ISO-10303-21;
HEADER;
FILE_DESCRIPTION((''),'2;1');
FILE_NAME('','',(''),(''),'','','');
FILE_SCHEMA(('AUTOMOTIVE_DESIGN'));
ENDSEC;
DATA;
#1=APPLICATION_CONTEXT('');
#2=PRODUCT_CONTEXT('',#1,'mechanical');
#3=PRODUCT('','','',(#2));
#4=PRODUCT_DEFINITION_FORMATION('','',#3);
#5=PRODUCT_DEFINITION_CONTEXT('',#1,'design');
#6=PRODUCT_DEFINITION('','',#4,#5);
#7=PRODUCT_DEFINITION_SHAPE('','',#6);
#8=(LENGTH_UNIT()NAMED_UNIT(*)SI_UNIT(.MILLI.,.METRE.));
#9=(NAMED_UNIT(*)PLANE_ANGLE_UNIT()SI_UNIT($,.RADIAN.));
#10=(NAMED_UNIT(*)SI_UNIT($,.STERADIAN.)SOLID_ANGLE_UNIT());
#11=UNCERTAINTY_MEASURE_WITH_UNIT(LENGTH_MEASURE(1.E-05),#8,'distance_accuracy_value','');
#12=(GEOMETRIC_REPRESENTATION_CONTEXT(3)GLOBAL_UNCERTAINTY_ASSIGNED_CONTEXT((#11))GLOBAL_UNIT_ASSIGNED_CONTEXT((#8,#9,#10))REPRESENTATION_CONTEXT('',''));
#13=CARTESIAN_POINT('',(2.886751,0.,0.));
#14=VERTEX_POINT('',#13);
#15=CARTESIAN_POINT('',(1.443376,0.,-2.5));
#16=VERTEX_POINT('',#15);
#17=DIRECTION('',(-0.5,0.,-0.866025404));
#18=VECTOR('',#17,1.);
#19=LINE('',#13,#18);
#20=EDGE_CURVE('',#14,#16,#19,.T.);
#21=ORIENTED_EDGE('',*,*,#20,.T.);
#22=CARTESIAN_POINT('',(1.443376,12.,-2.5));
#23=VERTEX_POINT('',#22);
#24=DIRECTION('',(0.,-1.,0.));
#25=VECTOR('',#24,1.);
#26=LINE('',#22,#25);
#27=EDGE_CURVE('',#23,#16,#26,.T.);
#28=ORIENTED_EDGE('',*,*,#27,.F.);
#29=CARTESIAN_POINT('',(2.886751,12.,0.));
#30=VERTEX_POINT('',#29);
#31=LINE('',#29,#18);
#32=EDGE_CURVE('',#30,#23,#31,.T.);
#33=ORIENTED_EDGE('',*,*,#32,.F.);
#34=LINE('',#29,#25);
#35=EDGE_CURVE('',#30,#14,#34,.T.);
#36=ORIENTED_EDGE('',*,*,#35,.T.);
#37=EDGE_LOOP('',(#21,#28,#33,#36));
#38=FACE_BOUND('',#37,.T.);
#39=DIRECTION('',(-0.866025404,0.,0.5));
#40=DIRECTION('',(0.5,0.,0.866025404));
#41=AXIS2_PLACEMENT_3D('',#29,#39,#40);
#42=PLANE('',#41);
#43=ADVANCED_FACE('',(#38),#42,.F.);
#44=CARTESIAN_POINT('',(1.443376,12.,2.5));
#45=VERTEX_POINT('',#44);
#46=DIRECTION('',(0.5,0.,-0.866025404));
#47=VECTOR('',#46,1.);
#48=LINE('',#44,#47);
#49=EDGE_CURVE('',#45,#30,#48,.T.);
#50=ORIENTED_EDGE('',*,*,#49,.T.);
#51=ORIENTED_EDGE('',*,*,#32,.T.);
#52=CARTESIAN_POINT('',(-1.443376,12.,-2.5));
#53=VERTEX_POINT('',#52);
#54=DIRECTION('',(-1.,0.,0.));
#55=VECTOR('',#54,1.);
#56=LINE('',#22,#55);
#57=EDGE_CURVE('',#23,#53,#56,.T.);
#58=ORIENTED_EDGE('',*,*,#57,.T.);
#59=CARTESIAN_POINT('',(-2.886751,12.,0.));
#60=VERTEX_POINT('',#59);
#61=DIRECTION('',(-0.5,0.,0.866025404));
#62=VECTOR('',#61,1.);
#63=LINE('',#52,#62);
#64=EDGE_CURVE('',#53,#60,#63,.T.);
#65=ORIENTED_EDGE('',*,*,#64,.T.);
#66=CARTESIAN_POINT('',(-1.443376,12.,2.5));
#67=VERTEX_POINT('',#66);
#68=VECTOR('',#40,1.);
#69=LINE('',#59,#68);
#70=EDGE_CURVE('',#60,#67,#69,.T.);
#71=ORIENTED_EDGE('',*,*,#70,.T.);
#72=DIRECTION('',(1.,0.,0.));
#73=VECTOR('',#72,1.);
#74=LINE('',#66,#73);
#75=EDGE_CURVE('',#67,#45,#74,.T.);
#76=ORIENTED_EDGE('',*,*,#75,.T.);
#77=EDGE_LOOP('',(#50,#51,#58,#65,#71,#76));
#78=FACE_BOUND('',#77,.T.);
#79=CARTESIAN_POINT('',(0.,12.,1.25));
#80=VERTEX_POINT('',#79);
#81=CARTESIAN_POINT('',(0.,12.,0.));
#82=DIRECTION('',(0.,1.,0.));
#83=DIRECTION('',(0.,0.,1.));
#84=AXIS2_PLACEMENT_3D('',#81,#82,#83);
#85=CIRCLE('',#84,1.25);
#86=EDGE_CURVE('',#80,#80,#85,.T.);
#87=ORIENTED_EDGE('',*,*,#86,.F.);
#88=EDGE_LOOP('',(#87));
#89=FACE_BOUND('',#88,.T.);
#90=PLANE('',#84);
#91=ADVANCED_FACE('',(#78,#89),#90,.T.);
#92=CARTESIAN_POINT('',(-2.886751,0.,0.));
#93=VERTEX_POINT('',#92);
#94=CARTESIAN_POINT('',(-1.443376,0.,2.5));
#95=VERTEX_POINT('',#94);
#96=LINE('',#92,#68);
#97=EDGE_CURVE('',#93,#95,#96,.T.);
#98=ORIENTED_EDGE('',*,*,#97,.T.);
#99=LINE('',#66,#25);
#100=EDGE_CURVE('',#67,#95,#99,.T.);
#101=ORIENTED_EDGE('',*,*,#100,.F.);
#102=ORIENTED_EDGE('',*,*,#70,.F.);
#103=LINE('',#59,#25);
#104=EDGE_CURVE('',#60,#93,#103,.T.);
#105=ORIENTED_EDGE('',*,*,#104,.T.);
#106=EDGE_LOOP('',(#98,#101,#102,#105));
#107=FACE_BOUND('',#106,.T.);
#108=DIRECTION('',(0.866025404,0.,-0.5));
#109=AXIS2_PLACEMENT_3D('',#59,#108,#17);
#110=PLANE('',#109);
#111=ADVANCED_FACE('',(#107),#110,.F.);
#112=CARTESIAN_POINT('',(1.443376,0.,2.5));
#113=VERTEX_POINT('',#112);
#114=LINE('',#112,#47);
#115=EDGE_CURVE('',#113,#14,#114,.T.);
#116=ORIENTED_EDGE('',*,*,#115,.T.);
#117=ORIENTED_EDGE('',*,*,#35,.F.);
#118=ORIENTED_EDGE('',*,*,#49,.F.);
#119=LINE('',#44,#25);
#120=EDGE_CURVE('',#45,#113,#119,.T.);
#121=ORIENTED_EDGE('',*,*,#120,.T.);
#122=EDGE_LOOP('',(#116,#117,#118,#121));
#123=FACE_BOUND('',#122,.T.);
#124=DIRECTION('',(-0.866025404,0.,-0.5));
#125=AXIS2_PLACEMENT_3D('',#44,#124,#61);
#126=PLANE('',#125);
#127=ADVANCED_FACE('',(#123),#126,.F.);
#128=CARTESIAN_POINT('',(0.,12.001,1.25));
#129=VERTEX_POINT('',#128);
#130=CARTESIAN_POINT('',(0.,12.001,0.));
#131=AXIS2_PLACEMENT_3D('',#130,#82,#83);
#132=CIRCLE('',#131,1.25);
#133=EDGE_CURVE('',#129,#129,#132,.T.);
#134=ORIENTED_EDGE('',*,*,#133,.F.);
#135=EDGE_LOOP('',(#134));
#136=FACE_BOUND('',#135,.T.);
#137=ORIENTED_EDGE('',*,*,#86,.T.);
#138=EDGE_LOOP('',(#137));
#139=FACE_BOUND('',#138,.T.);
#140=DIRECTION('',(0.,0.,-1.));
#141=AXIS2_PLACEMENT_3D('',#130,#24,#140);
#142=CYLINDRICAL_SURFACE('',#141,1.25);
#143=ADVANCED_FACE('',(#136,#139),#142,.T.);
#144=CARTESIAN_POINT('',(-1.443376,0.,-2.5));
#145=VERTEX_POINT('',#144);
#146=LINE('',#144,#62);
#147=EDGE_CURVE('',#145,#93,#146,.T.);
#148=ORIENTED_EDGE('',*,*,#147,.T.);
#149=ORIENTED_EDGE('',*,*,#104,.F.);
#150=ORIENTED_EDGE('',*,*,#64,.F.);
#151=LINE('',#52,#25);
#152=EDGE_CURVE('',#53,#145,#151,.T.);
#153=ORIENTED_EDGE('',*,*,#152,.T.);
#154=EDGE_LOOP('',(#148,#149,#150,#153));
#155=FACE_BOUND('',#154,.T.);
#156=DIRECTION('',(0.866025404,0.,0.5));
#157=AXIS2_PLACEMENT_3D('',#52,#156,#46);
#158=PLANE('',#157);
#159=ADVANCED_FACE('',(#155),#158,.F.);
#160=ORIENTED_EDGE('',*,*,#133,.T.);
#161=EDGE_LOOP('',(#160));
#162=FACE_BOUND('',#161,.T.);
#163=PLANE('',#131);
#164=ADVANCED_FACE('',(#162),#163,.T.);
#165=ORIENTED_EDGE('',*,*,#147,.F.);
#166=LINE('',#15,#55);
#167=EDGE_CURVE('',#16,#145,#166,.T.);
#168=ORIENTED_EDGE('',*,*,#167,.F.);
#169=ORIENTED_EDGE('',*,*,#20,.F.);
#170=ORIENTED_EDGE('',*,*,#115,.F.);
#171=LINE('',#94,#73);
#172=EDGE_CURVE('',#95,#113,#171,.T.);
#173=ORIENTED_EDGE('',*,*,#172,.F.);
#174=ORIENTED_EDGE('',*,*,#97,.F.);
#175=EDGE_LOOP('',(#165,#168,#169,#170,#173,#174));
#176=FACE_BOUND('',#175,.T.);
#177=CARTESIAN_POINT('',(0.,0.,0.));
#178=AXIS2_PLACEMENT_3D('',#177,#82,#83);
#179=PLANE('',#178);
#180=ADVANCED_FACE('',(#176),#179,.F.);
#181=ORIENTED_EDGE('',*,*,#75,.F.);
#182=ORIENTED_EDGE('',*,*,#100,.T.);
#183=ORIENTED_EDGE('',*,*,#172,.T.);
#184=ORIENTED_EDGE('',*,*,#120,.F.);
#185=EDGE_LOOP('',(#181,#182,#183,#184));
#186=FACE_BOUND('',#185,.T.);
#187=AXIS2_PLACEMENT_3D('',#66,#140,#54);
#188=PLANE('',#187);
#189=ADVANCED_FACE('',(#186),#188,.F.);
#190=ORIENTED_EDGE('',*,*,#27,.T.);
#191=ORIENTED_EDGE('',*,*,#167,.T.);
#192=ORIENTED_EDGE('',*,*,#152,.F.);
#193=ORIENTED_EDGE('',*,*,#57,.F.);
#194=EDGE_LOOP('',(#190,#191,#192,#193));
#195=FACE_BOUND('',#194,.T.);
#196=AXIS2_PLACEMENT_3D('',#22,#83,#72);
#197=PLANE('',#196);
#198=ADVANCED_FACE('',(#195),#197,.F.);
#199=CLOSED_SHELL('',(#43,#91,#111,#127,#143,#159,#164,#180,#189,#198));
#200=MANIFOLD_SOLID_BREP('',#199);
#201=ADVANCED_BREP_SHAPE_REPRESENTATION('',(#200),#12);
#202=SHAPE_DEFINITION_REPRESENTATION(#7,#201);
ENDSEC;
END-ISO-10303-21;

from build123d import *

# Parameters (mm, degrees)
BOSS_EXTRUDE1_DEPTH = 12
SKETCH2_R           = 1.25
BOSS_EXTRUDE2_DEPTH = 0.001


with BuildPart() as part:
    # Sketch1 → Boss-Extrude1 (new body)
    with BuildSketch(Plane(origin=(0, 0, 0), x_dir=(1, 0, 0), z_dir=(0, 1, 0))):
        Polygon((-2.886751346, 0), (-1.443375673, -2.5), (1.443375673, -2.5), (2.886751346, 0), (1.443375673, 2.5), (-1.443375673, 2.5), align=None)
    extrude(amount=BOSS_EXTRUDE1_DEPTH)

    # Sketch2 → Boss-Extrude2 (add)
    with BuildSketch(Plane(origin=(0, 12, 0), x_dir=(1, 0, 0), z_dir=(0, 1, 0))):
        Circle(SKETCH2_R)
    extrude(amount=BOSS_EXTRUDE2_DEPTH)


solid = part.part
